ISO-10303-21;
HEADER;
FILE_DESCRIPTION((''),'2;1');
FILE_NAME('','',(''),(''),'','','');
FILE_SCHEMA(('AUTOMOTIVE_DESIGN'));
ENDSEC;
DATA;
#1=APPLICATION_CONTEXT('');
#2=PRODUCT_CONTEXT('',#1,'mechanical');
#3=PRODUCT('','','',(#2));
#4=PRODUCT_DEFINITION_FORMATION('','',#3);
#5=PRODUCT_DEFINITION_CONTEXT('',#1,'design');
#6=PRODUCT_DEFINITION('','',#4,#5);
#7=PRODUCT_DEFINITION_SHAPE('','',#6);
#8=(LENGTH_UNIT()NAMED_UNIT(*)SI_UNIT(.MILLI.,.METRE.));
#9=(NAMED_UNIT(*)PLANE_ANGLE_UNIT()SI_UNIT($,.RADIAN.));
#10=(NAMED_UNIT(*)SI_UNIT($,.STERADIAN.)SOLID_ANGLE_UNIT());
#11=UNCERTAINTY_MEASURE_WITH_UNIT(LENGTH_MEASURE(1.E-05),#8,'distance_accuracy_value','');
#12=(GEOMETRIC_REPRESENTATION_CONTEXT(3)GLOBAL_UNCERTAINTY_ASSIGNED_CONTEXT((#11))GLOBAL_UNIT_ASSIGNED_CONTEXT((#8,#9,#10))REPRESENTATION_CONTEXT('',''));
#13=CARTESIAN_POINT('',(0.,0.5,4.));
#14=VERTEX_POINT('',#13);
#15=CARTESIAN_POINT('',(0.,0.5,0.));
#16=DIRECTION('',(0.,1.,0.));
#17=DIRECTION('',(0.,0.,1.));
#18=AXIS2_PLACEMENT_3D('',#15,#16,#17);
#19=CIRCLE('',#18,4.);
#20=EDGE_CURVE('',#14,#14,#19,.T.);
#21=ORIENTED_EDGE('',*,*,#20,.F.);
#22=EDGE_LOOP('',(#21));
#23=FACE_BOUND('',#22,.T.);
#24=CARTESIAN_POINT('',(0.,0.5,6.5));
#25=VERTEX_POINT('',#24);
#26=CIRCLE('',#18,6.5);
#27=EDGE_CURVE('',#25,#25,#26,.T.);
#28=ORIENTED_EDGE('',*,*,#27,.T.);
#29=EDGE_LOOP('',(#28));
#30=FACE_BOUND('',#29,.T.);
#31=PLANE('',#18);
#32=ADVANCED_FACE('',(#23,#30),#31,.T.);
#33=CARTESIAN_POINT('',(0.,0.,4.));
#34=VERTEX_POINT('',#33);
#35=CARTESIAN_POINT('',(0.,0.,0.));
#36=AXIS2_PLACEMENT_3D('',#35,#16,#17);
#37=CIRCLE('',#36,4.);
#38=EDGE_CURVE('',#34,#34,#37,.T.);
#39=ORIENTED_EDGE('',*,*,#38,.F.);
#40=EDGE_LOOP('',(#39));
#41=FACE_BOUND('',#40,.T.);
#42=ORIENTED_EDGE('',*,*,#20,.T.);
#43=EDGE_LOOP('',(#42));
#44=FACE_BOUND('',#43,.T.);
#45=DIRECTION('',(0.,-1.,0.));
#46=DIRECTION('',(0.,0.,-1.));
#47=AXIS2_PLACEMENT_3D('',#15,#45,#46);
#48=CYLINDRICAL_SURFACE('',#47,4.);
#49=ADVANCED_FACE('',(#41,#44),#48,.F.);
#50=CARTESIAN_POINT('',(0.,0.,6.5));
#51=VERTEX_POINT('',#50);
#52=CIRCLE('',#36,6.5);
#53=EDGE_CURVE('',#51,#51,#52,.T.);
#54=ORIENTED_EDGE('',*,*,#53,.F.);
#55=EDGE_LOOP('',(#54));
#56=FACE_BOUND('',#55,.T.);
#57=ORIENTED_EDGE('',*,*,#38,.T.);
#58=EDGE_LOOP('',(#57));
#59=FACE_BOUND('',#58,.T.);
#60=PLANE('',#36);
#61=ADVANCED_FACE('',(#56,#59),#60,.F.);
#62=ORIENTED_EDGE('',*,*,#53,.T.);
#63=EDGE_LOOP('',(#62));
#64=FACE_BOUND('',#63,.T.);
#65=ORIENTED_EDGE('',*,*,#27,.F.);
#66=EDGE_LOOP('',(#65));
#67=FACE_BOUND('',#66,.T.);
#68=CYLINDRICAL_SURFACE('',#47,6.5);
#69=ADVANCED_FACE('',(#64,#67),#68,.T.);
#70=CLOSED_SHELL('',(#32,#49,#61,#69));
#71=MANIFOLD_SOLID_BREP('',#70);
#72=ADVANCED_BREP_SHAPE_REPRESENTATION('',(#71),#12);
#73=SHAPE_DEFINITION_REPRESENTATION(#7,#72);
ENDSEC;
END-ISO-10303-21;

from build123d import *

# Parameters (mm, degrees)
SKETCH1_R           = 6.5
SKETCH1_R_2         = 4
BOSS_EXTRUDE1_DEPTH = 0.5


with BuildPart() as part:
    # Sketch1 → Boss-Extrude1 (new body)
    with BuildSketch(Plane(origin=(0, 0, 0), x_dir=(1, 0, 0), z_dir=(0, 1, 0))):
        Circle(SKETCH1_R)
        Circle(SKETCH1_R_2, mode=Mode.SUBTRACT)
    extrude(amount=BOSS_EXTRUDE1_DEPTH)


solid = part.part
